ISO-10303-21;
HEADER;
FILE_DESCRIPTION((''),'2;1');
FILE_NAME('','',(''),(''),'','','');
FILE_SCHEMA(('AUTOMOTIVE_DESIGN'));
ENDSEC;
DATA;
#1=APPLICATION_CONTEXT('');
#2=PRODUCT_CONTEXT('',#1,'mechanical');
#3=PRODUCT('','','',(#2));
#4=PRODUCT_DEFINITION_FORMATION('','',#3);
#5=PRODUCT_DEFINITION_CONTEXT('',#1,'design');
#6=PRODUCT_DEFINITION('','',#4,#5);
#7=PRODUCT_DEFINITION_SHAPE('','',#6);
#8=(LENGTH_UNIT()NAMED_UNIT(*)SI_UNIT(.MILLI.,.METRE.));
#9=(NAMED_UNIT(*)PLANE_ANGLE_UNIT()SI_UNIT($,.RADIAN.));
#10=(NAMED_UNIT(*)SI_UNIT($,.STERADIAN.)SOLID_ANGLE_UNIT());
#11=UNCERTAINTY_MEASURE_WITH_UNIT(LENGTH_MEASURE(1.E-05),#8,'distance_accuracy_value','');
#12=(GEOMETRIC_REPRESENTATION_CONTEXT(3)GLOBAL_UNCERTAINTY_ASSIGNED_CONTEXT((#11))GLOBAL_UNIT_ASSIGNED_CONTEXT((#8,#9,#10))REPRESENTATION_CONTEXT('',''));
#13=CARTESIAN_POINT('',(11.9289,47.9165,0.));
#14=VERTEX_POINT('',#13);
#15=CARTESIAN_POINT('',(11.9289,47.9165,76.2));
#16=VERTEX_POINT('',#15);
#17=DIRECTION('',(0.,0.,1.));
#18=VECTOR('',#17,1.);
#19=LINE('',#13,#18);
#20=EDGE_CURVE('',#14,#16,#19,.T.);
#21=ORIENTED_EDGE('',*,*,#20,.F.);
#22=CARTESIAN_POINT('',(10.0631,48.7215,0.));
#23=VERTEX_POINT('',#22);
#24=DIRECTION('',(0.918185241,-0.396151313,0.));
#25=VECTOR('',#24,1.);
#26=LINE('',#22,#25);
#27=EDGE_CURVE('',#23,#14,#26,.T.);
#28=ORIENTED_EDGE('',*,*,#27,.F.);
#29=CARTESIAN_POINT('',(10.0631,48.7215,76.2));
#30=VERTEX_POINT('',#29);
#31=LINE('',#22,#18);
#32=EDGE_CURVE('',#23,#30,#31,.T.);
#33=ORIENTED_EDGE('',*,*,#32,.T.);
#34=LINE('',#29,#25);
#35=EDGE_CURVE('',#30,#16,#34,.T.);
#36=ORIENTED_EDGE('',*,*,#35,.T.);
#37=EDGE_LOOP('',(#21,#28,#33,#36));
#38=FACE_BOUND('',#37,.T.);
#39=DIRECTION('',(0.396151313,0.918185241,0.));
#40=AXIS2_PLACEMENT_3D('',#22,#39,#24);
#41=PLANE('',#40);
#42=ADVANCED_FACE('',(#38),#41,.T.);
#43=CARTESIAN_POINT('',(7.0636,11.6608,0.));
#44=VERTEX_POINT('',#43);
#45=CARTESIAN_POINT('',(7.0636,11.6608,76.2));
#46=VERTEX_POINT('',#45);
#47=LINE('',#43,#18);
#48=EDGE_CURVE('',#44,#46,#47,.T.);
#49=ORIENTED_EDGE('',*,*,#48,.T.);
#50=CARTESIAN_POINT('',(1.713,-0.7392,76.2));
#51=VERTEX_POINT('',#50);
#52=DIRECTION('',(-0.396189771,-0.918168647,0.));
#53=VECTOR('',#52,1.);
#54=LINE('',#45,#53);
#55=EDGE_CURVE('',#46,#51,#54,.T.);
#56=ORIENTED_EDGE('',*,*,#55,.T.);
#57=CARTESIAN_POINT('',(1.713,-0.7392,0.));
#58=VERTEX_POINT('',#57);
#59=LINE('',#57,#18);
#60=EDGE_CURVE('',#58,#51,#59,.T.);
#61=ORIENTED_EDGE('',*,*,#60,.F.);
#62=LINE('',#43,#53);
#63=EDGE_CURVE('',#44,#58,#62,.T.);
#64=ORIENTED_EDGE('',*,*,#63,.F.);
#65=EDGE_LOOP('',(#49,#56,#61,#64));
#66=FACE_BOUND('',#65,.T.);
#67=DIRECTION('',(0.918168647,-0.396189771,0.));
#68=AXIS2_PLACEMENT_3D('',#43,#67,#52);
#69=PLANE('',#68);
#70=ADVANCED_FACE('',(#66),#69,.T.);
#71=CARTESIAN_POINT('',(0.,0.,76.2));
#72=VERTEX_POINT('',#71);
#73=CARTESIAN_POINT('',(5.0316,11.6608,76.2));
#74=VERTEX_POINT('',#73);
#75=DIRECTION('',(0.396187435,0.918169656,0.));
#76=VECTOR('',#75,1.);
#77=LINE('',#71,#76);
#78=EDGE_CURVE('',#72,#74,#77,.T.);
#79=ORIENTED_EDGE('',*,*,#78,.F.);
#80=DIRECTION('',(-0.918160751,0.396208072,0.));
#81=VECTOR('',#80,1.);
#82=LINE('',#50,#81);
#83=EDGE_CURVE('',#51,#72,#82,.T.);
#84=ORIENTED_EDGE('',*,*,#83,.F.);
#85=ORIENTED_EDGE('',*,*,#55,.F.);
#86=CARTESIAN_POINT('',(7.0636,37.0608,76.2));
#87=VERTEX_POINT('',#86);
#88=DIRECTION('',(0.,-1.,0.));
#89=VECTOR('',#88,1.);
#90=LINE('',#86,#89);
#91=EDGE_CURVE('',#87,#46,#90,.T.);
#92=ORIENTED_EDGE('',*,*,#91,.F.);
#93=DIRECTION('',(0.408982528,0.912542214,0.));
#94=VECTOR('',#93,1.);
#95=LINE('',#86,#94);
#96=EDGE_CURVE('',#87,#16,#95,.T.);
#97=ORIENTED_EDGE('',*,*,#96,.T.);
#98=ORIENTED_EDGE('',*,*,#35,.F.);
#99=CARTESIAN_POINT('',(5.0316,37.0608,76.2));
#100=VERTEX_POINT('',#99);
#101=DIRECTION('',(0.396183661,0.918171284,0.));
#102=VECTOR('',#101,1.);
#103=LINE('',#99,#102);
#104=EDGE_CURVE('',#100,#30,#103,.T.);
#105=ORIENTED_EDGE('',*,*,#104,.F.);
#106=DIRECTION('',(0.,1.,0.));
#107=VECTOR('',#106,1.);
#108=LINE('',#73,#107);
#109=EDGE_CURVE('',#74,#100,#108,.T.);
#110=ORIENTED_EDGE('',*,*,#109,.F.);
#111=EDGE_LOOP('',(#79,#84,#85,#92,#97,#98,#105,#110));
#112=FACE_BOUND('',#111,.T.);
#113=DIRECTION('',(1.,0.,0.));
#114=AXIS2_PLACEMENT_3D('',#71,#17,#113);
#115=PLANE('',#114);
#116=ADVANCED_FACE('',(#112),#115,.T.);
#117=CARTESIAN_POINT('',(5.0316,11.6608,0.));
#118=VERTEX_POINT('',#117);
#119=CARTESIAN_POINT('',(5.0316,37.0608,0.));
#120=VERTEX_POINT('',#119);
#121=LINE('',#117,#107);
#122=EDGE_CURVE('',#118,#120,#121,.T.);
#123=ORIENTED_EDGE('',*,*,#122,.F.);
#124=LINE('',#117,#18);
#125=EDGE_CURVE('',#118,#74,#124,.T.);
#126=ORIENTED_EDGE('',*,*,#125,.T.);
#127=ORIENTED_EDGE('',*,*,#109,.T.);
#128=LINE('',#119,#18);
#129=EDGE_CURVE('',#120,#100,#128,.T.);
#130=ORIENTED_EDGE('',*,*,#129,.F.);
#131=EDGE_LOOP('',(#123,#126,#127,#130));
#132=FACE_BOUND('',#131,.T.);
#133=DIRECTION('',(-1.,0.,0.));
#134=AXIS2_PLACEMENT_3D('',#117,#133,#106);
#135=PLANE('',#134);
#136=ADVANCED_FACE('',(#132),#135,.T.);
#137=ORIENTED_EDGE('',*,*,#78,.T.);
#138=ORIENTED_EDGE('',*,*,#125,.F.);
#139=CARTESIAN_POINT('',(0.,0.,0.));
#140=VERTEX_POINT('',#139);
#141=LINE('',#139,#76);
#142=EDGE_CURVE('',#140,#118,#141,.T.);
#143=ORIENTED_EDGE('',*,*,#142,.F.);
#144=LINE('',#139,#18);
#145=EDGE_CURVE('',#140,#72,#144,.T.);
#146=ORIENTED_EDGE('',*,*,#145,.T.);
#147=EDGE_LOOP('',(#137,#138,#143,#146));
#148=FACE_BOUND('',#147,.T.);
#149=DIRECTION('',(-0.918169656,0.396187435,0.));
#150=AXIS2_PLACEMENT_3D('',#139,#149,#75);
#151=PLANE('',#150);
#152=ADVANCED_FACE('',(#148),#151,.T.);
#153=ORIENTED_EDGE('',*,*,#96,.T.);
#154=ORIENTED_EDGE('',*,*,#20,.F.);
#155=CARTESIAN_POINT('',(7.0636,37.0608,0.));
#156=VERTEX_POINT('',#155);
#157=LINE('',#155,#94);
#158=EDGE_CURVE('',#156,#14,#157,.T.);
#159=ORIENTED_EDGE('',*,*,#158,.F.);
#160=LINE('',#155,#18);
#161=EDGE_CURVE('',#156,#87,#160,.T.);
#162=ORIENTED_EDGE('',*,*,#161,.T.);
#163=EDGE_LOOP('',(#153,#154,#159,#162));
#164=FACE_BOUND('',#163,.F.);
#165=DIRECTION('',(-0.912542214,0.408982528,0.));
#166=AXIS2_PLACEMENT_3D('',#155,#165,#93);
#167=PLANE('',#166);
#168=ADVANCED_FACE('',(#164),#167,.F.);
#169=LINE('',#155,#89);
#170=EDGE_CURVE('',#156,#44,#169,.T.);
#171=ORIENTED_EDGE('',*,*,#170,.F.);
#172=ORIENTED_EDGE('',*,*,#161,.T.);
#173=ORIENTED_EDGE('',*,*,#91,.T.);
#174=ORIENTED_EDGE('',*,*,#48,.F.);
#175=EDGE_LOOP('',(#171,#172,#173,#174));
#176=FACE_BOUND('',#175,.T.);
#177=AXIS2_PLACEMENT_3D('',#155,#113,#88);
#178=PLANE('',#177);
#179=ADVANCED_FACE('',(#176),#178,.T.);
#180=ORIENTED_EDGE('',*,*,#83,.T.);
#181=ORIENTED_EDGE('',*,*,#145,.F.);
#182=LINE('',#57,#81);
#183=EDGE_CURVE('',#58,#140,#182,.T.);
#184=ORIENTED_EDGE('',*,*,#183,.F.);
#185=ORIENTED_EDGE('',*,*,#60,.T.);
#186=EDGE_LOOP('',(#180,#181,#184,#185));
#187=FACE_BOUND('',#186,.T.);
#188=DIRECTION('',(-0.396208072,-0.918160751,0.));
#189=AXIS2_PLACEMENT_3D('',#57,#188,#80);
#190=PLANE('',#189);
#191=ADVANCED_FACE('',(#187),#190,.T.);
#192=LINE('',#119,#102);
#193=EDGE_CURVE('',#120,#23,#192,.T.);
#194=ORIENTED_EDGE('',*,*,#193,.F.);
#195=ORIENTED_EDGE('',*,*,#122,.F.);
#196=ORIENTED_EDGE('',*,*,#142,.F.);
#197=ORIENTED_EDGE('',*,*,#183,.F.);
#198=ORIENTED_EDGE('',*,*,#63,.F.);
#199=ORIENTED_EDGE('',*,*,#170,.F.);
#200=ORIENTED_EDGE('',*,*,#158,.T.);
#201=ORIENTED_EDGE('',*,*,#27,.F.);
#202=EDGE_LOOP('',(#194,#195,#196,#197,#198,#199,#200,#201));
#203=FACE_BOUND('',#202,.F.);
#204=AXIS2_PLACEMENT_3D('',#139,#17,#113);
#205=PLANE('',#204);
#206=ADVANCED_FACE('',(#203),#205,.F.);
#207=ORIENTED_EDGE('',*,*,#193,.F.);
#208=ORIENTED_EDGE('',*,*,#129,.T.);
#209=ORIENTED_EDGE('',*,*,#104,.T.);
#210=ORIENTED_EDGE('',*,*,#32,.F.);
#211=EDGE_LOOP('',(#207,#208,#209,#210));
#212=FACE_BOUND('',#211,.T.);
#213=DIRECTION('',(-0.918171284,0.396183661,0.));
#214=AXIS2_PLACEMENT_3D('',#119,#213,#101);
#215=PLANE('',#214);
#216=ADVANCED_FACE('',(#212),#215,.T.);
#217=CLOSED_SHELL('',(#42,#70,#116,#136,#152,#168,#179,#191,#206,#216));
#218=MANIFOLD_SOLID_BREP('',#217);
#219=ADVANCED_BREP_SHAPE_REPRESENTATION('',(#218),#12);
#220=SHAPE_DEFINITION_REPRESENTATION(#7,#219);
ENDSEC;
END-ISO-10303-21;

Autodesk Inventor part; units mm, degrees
ref_plane "YZ Plane" through (0, 0, 0) normal (1, 0, 0) x (0, 1, 0)
ref_plane "XZ Plane" through (0, 0, 0) normal (0, 1, 0) x (-1, 0, 0)
ref_plane "XY Plane" through (0, 0, 0) normal (0, 0, 1) x (1, 0, 0)
sketch "Sketch1" plane through (0, 0, 0) normal (0, 0, 1) x (1, 0, 0)
  line L0 (0, 0) -> (5.0316, 11.6608)
  line L1 (0, 0) -> (12.7, 0) construction
  line L2 (5.0316, 11.6608) -> (5.0316, 37.0608)
  line L3 (5.0316, 37.0608) -> (10.0631, 48.7215)
  line L4 (10.0631, 48.7215) -> (11.9289, 47.9165)
  line L5 (7.0636, 37.0608) -> (11.9289, 47.9165)
  line L6 (7.0636, 37.0608) -> (7.0636, 11.6608)
  line L7 (7.0636, 11.6608) -> (1.713, -0.7392)
  line L8 (1.713, -0.7392) -> (0, 0)
  dimension "d8" = 12.7
  dimension "d9" = 66.66
  dimension "d11" = 12.7
  dimension "d12" = 156.66
  dimension "d13" = 2.032
  dimension "d14" = 2.032
extrude "Extrusion1" add sketch "Sketch1" along normal blind 76.2
properties part number "PChook" material "Polycarbonate, Clear"
